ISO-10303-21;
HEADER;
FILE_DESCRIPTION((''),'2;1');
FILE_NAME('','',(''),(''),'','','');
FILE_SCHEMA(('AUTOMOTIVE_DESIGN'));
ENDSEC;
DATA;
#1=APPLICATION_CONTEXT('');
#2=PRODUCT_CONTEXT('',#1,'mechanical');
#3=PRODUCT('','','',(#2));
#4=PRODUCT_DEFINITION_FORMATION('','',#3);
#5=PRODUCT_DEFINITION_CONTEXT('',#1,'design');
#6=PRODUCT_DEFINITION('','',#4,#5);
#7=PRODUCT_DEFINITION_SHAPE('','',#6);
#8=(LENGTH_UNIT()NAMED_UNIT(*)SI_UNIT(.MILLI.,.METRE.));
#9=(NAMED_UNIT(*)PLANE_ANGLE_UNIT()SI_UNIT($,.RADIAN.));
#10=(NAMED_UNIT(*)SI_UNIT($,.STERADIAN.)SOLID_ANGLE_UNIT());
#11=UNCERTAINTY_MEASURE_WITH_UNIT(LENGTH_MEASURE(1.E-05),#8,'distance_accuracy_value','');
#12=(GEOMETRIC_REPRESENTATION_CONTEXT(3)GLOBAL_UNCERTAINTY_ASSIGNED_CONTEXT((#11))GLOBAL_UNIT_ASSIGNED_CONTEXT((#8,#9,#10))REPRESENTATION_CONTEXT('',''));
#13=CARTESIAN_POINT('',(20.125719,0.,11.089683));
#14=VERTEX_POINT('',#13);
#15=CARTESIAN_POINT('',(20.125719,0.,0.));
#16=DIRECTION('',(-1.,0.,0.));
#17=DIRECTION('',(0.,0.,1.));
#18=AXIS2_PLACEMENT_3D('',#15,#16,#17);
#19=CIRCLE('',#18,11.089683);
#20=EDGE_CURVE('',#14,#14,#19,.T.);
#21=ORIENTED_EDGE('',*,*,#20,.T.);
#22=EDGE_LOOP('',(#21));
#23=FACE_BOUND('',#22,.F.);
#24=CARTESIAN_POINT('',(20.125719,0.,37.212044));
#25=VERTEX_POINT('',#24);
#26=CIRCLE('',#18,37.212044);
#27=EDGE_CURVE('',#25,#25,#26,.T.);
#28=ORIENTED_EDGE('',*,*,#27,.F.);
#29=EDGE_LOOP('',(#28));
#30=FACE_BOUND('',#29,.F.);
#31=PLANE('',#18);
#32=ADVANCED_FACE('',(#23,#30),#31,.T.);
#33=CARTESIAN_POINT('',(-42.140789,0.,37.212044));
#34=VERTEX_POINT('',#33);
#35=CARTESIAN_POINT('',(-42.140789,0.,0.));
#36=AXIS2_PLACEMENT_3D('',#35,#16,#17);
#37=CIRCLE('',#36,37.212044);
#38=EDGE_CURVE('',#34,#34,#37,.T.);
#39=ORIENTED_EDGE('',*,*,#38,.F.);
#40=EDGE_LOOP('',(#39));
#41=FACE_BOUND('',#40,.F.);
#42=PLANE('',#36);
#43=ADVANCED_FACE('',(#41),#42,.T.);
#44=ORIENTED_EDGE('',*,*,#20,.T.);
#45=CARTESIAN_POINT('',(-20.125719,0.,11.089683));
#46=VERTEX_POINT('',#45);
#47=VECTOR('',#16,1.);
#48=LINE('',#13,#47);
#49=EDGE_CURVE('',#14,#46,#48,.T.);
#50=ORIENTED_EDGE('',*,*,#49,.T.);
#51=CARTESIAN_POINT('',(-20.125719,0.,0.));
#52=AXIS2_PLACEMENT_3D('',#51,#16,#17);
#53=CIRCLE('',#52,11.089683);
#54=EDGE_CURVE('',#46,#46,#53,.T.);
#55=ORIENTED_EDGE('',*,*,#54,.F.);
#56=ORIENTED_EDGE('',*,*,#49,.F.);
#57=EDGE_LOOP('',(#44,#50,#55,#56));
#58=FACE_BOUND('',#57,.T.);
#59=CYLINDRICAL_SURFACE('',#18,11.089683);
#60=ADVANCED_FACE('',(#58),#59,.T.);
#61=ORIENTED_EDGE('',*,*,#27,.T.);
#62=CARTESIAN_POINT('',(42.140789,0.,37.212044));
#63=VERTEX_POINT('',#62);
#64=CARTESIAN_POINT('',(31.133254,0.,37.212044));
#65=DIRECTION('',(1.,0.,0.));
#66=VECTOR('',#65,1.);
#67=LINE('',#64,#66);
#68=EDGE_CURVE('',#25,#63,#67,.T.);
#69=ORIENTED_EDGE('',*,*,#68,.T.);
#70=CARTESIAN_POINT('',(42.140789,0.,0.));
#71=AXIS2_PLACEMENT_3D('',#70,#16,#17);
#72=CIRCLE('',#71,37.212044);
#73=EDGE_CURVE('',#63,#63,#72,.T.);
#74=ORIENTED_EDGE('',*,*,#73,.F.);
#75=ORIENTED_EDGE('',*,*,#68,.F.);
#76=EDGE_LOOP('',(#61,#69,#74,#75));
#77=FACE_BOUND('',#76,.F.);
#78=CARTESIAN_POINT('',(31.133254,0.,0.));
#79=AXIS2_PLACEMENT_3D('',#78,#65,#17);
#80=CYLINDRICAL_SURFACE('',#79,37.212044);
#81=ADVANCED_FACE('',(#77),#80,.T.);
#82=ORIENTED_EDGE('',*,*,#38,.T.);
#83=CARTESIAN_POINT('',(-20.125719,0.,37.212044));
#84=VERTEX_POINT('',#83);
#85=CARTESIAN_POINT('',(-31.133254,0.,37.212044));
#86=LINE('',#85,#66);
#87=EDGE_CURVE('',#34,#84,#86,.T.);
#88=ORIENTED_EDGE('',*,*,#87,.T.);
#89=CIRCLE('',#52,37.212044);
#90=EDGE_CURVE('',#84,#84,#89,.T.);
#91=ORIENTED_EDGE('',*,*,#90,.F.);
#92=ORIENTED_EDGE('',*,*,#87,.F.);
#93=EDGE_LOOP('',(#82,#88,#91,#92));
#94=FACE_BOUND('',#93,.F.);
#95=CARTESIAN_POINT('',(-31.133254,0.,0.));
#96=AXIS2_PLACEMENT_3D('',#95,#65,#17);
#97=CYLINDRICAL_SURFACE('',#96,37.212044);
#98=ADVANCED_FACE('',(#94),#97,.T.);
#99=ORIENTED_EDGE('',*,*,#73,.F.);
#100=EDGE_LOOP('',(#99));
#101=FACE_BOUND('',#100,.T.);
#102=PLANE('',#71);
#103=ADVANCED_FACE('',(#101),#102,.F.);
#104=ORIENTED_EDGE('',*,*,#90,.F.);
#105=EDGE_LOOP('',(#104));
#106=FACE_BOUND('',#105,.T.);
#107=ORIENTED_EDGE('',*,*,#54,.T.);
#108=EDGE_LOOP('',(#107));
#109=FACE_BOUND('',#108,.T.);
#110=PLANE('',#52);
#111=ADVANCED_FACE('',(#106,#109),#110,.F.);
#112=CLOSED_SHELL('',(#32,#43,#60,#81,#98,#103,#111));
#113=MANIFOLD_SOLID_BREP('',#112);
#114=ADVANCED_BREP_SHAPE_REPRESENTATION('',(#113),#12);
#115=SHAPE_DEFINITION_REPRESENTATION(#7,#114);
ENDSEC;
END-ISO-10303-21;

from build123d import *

# Parameters (mm, degrees)
F0_W = 20.1257187873
F0_H = 11.089682579
F2_W = 22.0150705427
F2_H = 37.2120440006


with BuildPart() as f1:
    # F0 (on Front) → F1 (revolve)
    with BuildSketch(Plane.XZ):
        with Locations((-10.0628593937, 5.5448412895)):
            Rectangle(F0_W, F0_H)
        with Locations((10.0628593937, 5.5448412895)):
            Rectangle(F0_W, F0_H)
    revolve(axis=Axis((-10.0628593937, 0, 0), (-1, 0, 0)))

    # F2 (on Front) → F3 (revolve)
    with BuildSketch(Plane.XZ):
        with Locations((-31.1332540587, 18.6060220003)):
            Rectangle(F2_W, F2_H)
        with Locations((31.1332540587, 18.6060220003)):
            Rectangle(F2_W, F2_H)
    revolve(axis=Axis((-31.1332540587, 0, 0), (-1, 0, 0)))


solid = f1.part
